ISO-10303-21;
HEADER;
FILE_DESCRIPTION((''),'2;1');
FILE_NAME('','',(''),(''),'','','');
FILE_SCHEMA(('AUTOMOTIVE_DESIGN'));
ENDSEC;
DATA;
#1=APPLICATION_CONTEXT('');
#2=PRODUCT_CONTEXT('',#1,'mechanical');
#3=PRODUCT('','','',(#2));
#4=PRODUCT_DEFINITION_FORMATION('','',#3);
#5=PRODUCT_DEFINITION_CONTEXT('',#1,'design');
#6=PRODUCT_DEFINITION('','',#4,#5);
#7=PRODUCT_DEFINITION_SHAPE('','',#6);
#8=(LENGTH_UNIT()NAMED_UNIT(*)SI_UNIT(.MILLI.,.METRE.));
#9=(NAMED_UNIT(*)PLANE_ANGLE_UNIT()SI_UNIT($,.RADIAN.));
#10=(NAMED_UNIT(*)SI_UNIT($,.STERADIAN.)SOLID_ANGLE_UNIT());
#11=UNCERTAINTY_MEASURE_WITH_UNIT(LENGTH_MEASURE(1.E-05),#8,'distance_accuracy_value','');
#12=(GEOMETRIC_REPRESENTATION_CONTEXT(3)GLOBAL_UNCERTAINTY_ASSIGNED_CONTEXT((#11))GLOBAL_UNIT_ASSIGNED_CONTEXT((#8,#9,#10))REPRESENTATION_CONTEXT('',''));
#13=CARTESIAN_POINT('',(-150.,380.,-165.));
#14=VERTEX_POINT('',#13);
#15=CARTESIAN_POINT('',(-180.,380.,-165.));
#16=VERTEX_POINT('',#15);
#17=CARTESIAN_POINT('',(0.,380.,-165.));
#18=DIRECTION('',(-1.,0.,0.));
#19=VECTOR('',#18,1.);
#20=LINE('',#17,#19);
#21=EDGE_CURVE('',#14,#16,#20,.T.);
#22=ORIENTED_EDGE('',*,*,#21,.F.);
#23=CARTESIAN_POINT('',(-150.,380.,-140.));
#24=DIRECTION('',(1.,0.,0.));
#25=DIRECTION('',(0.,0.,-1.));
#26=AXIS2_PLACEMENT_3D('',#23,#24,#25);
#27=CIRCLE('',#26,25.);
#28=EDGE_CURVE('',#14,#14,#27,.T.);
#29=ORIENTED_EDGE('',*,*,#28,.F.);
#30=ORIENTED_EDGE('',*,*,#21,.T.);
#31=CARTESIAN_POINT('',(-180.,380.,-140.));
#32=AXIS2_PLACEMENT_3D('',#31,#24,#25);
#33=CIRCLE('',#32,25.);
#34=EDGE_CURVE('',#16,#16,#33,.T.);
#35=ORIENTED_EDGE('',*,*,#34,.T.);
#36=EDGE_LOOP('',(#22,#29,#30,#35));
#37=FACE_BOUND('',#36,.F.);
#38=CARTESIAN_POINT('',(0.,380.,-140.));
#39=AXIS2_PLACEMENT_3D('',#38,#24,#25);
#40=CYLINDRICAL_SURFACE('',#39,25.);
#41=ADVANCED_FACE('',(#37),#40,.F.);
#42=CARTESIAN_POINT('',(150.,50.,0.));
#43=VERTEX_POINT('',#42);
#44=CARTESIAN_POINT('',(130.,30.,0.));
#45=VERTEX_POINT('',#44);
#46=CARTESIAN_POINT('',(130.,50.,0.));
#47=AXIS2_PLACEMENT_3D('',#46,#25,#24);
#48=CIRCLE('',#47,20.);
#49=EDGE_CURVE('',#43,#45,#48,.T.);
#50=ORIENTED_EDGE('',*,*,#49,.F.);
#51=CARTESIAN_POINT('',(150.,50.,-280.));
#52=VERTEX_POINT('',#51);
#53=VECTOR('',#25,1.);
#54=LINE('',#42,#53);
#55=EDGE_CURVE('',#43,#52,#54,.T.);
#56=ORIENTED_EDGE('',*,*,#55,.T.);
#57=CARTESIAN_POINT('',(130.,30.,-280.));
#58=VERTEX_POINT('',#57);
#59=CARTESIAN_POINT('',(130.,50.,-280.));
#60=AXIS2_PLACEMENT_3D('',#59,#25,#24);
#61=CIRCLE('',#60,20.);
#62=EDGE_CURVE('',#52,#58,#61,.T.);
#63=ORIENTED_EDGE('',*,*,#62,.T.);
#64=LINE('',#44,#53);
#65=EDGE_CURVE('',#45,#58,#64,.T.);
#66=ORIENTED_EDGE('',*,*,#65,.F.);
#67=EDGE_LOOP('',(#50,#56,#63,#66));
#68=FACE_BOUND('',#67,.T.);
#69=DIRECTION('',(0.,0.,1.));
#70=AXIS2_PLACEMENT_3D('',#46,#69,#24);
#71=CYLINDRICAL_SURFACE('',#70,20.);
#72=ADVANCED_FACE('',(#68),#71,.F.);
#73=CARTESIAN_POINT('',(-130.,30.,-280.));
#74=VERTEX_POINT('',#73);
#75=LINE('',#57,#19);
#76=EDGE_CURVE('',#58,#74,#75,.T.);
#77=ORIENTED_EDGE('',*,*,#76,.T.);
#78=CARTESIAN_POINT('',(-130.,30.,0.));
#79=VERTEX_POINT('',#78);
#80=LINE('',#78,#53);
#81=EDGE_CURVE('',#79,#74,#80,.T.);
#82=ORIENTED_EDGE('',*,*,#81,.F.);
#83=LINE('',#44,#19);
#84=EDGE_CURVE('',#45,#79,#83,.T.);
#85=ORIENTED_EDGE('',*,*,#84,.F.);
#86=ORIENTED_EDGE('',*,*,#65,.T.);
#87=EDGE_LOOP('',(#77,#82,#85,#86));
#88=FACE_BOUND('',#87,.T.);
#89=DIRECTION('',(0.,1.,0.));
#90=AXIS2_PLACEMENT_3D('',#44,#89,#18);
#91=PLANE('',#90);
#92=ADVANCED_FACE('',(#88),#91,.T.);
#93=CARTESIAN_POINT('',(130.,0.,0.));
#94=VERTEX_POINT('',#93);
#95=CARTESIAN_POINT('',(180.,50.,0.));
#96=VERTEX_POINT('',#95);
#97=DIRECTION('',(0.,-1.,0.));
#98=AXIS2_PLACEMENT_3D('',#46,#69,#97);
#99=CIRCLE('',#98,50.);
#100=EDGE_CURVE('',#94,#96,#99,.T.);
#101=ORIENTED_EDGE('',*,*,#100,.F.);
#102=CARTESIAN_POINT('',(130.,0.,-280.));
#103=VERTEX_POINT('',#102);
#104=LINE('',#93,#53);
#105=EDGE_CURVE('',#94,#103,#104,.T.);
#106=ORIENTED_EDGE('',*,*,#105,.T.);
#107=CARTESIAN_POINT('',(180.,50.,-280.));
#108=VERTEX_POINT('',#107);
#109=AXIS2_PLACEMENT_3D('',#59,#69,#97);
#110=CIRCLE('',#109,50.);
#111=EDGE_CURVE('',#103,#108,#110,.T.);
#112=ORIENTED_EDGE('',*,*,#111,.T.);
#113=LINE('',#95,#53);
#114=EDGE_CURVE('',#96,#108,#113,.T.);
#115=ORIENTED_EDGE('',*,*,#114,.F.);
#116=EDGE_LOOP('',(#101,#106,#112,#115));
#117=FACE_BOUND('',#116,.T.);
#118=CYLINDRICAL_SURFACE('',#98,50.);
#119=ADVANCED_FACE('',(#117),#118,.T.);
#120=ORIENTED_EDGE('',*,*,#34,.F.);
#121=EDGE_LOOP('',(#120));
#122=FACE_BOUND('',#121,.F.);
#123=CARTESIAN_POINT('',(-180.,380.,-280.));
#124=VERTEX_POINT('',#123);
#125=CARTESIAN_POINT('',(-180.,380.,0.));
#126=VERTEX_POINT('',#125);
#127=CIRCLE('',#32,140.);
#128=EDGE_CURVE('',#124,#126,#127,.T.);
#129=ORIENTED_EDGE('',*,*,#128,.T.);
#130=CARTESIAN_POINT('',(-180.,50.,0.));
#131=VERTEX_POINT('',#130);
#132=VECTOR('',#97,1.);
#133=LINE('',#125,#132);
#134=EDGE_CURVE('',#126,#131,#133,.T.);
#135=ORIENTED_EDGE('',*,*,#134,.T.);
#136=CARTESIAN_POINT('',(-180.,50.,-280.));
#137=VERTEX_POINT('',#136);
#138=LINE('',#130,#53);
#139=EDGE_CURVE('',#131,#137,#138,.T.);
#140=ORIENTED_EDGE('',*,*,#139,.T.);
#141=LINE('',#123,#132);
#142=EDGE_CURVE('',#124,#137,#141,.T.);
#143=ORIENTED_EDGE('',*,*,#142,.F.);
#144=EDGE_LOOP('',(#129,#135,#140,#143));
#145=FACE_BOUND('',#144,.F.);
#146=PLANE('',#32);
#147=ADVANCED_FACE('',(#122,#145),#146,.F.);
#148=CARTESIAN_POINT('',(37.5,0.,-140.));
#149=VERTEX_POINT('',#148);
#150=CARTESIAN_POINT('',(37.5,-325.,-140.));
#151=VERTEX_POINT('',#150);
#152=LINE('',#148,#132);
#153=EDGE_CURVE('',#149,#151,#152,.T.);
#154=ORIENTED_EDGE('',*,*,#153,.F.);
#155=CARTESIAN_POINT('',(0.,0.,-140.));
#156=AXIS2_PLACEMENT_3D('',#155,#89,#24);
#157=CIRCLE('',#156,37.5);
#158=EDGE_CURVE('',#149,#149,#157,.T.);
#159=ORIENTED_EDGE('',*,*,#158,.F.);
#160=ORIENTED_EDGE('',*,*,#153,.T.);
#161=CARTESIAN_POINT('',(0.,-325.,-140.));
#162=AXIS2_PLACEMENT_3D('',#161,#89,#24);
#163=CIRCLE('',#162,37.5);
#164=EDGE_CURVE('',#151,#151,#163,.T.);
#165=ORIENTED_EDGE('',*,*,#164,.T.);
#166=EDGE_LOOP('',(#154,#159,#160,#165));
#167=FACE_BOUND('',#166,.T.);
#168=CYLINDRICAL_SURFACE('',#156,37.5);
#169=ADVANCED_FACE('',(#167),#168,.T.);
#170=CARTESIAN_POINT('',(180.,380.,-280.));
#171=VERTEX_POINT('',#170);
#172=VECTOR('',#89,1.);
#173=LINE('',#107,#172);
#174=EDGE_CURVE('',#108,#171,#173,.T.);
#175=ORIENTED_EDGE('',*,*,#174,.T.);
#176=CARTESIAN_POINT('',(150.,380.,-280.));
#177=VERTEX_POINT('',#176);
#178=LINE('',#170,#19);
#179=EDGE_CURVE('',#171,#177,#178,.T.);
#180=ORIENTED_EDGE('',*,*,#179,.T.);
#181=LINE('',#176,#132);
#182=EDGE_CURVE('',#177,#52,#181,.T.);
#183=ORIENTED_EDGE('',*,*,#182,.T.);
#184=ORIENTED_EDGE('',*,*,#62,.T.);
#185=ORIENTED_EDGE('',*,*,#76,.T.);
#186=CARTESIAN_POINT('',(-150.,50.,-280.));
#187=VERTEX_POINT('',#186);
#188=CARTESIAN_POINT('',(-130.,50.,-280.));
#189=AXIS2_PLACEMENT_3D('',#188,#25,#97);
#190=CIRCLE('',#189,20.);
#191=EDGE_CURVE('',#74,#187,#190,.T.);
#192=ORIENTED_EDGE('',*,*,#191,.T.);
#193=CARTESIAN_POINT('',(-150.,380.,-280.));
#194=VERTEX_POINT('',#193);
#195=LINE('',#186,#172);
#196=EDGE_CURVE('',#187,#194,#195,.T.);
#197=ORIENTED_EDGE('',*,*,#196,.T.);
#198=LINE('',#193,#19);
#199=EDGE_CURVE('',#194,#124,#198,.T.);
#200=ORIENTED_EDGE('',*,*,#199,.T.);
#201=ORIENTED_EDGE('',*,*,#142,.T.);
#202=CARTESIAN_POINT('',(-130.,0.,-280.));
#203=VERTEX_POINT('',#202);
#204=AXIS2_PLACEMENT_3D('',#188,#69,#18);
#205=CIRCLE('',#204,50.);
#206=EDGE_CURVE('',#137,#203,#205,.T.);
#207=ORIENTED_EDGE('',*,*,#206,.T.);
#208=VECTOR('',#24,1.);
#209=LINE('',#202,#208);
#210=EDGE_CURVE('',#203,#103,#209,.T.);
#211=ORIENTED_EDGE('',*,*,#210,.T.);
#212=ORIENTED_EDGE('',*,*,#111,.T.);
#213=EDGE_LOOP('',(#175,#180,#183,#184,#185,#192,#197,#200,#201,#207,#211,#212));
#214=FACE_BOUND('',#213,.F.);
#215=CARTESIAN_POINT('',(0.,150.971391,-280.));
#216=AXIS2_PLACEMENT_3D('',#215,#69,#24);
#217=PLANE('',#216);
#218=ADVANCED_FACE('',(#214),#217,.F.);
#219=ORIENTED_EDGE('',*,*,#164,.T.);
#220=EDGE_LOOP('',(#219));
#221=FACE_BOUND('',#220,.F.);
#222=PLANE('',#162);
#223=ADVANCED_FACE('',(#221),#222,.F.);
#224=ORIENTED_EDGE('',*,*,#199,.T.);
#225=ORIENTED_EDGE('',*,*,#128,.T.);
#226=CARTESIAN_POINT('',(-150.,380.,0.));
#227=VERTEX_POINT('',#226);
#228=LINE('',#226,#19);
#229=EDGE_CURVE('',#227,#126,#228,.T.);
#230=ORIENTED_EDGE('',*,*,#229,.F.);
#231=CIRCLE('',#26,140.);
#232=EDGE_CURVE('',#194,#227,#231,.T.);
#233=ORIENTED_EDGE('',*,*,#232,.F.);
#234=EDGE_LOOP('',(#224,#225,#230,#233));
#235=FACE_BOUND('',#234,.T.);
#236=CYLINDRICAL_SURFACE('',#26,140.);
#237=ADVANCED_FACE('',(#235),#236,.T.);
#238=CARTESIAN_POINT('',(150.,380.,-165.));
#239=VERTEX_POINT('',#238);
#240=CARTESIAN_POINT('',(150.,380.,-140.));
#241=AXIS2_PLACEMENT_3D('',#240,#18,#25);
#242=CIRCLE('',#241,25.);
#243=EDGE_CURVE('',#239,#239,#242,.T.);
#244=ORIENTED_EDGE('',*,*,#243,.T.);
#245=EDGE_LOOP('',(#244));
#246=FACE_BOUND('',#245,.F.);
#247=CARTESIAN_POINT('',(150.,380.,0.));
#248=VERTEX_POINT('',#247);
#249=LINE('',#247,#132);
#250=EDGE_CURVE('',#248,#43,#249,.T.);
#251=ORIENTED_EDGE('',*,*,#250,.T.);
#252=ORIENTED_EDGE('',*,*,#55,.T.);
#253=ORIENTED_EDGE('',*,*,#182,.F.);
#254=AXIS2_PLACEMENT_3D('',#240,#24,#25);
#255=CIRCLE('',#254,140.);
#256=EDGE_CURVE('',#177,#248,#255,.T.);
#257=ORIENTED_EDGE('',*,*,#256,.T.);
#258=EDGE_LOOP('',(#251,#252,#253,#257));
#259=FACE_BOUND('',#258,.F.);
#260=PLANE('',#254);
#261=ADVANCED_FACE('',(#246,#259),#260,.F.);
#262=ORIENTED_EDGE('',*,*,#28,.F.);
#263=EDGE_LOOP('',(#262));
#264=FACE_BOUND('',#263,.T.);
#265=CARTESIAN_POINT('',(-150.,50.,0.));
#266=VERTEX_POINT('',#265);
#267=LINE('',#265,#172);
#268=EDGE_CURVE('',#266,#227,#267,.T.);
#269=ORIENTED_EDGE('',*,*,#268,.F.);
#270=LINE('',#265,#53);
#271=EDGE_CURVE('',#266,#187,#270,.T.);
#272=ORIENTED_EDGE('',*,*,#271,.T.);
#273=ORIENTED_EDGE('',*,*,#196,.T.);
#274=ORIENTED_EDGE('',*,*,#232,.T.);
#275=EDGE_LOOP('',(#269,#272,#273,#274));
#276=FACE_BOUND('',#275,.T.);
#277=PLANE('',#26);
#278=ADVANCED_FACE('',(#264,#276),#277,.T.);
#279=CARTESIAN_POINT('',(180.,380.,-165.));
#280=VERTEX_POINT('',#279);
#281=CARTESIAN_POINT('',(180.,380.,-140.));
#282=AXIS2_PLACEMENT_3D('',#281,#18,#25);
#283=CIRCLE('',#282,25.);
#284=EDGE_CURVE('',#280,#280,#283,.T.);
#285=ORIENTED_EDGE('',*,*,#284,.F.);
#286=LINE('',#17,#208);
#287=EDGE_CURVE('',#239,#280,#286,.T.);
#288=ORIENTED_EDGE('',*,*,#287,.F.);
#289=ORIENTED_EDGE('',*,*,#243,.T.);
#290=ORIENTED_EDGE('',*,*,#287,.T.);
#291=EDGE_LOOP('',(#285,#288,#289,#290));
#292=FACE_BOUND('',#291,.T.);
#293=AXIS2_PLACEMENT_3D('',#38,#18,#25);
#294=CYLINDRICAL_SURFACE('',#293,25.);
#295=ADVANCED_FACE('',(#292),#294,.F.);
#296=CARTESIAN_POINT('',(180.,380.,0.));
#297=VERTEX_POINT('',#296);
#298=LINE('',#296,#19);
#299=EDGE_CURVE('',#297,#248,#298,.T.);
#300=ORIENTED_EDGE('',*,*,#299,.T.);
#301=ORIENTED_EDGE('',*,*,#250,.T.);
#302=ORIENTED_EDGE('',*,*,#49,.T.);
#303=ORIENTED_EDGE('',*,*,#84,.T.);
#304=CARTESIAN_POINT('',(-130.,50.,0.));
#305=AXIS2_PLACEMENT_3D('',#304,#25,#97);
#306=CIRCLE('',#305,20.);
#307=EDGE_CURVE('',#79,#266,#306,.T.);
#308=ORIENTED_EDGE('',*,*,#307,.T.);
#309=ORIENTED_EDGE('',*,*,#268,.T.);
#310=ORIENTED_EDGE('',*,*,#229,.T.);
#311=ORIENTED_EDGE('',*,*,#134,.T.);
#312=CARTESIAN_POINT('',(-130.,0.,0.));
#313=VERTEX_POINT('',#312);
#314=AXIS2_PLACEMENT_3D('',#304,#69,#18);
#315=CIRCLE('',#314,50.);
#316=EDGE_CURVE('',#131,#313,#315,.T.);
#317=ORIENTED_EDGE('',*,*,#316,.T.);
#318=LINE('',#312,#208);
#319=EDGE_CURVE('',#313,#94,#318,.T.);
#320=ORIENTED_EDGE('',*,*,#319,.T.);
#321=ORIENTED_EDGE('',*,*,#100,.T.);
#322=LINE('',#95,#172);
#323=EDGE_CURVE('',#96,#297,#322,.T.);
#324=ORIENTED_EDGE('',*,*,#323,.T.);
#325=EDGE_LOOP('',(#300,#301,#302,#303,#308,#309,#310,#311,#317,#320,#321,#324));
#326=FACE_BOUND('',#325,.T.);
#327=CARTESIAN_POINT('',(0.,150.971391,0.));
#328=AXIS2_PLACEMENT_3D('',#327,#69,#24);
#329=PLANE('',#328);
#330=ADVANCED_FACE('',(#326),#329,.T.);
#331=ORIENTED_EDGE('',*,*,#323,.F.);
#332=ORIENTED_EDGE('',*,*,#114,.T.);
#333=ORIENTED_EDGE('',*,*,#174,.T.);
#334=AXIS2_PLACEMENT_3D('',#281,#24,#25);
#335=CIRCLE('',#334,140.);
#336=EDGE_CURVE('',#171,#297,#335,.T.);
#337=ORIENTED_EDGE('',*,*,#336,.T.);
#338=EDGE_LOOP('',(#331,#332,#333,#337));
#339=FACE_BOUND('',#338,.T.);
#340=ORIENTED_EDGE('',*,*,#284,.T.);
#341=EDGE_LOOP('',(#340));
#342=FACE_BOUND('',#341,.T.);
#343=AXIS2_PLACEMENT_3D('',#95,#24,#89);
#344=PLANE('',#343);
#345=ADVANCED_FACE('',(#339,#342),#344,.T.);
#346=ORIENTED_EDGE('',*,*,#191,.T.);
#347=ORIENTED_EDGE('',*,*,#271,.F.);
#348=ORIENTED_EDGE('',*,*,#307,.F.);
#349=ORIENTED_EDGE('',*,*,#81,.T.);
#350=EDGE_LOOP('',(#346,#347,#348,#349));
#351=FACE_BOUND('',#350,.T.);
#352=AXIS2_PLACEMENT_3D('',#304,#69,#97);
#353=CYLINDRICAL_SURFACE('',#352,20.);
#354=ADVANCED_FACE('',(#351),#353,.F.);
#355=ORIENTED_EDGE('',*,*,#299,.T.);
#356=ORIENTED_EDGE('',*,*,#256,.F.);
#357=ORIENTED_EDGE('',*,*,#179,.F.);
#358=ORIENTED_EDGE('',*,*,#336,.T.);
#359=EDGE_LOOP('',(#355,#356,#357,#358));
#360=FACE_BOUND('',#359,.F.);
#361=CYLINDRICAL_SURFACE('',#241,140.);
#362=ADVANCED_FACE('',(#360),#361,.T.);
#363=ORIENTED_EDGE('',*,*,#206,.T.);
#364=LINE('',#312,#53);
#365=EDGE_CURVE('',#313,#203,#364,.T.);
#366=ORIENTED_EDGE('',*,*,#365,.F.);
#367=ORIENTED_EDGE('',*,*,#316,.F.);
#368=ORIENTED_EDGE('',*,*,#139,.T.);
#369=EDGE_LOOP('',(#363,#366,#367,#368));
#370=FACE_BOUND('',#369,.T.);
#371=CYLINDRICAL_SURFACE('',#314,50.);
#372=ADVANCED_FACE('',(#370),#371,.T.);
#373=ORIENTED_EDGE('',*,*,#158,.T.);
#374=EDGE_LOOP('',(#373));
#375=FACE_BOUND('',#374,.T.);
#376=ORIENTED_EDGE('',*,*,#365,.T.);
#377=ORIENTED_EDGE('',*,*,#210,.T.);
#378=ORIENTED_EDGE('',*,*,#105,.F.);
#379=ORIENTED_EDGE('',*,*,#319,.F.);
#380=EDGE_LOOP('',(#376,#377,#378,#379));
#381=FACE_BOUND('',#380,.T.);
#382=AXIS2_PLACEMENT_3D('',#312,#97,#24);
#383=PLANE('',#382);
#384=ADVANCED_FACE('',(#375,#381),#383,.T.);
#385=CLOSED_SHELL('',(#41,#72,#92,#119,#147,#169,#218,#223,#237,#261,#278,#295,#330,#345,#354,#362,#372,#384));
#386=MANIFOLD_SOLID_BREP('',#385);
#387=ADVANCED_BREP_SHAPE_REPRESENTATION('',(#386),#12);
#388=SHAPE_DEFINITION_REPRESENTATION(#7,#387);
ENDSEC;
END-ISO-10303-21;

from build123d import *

# Parameters (mm, degrees)
BOSS_EXTRUDE2_DEPTH     = 280
BOSS_EXTRUDE3_START     = 150
SKETCH5_R               = 140
BOSS_EXTRUDE3_DEPTH     = 30
BOSS_EXTRUDE4_START     = -150
SKETCH5_2_R             = 140
BOSS_EXTRUDE4_DEPTH     = 30
SKETCH6_R               = 25
CUT_EXTRUDE1_DEPTH      = 181
CUT_EXTRUDE1_DEPTH_BACK = 181
SKETCH7_R               = 37.5
BOSS_EXTRUDE5_DEPTH     = 325


with BuildPart() as part:
    # Sketch4 → Boss-Extrude2 (new body)
    with BuildSketch(Plane.XY):
        with BuildLine():
            Line((-130, 0), (130, 0))
            ThreePointArc((130, 0), (165.355339059, 14.644660941), (180, 50))
            Line((180, 50), (180, 380))
            Line((180, 380), (150, 380))
            Line((150, 380), (150, 50))
            ThreePointArc((150, 50), (144.142135624, 35.857864376), (130, 30))
            Line((130, 30), (-130, 30))
            ThreePointArc((-130, 30), (-144.142135624, 35.857864376), (-150, 50))
            Line((-150, 50), (-150, 380))
            Line((-150, 380), (-180, 380))
            Line((-180, 380), (-180, 50))
            ThreePointArc((-180, 50), (-165.355339059, 14.644660941), (-130, 0))
        make_face()
    extrude(amount=-BOSS_EXTRUDE2_DEPTH)

    # Sketch5 → Boss-Extrude3 (add)
    with BuildSketch(Plane(origin=(0, 0, 0), x_dir=(0, 0, -1), z_dir=(1, 0, 0)).offset(BOSS_EXTRUDE3_START)):
        with Locations((140, 380)):
            Circle(SKETCH5_R)
    extrude(amount=BOSS_EXTRUDE3_DEPTH)

    # Sketch5<2> → Boss-Extrude4 (add)
    with BuildSketch(Plane(origin=(0, 0, 0), x_dir=(0, 0, -1), z_dir=(1, 0, 0)).offset(BOSS_EXTRUDE4_START)):
        with Locations((140, 380)):
            Circle(SKETCH5_2_R)
    extrude(amount=-BOSS_EXTRUDE4_DEPTH)

    # Sketch6 → Cut-Extrude1 (cut, two sides)
    with BuildSketch(Plane(origin=(0, 0, 0), x_dir=(0, 0, -1), z_dir=(1, 0, 0))) as cut_extrude1_sk:
        with Locations((140, 380)):
            Circle(SKETCH6_R)
    extrude(amount=CUT_EXTRUDE1_DEPTH, mode=Mode.SUBTRACT)
    extrude(cut_extrude1_sk.sketch, amount=-CUT_EXTRUDE1_DEPTH_BACK, mode=Mode.SUBTRACT)

    # Sketch7 → Boss-Extrude5 (add)
    with BuildSketch(Plane(origin=(0, 0, 0), x_dir=(1, 0, 0), z_dir=(0, 1, 0))):
        with Locations((0, 140)):
            Circle(SKETCH7_R)
    extrude(amount=-BOSS_EXTRUDE5_DEPTH)


solid = part.part
